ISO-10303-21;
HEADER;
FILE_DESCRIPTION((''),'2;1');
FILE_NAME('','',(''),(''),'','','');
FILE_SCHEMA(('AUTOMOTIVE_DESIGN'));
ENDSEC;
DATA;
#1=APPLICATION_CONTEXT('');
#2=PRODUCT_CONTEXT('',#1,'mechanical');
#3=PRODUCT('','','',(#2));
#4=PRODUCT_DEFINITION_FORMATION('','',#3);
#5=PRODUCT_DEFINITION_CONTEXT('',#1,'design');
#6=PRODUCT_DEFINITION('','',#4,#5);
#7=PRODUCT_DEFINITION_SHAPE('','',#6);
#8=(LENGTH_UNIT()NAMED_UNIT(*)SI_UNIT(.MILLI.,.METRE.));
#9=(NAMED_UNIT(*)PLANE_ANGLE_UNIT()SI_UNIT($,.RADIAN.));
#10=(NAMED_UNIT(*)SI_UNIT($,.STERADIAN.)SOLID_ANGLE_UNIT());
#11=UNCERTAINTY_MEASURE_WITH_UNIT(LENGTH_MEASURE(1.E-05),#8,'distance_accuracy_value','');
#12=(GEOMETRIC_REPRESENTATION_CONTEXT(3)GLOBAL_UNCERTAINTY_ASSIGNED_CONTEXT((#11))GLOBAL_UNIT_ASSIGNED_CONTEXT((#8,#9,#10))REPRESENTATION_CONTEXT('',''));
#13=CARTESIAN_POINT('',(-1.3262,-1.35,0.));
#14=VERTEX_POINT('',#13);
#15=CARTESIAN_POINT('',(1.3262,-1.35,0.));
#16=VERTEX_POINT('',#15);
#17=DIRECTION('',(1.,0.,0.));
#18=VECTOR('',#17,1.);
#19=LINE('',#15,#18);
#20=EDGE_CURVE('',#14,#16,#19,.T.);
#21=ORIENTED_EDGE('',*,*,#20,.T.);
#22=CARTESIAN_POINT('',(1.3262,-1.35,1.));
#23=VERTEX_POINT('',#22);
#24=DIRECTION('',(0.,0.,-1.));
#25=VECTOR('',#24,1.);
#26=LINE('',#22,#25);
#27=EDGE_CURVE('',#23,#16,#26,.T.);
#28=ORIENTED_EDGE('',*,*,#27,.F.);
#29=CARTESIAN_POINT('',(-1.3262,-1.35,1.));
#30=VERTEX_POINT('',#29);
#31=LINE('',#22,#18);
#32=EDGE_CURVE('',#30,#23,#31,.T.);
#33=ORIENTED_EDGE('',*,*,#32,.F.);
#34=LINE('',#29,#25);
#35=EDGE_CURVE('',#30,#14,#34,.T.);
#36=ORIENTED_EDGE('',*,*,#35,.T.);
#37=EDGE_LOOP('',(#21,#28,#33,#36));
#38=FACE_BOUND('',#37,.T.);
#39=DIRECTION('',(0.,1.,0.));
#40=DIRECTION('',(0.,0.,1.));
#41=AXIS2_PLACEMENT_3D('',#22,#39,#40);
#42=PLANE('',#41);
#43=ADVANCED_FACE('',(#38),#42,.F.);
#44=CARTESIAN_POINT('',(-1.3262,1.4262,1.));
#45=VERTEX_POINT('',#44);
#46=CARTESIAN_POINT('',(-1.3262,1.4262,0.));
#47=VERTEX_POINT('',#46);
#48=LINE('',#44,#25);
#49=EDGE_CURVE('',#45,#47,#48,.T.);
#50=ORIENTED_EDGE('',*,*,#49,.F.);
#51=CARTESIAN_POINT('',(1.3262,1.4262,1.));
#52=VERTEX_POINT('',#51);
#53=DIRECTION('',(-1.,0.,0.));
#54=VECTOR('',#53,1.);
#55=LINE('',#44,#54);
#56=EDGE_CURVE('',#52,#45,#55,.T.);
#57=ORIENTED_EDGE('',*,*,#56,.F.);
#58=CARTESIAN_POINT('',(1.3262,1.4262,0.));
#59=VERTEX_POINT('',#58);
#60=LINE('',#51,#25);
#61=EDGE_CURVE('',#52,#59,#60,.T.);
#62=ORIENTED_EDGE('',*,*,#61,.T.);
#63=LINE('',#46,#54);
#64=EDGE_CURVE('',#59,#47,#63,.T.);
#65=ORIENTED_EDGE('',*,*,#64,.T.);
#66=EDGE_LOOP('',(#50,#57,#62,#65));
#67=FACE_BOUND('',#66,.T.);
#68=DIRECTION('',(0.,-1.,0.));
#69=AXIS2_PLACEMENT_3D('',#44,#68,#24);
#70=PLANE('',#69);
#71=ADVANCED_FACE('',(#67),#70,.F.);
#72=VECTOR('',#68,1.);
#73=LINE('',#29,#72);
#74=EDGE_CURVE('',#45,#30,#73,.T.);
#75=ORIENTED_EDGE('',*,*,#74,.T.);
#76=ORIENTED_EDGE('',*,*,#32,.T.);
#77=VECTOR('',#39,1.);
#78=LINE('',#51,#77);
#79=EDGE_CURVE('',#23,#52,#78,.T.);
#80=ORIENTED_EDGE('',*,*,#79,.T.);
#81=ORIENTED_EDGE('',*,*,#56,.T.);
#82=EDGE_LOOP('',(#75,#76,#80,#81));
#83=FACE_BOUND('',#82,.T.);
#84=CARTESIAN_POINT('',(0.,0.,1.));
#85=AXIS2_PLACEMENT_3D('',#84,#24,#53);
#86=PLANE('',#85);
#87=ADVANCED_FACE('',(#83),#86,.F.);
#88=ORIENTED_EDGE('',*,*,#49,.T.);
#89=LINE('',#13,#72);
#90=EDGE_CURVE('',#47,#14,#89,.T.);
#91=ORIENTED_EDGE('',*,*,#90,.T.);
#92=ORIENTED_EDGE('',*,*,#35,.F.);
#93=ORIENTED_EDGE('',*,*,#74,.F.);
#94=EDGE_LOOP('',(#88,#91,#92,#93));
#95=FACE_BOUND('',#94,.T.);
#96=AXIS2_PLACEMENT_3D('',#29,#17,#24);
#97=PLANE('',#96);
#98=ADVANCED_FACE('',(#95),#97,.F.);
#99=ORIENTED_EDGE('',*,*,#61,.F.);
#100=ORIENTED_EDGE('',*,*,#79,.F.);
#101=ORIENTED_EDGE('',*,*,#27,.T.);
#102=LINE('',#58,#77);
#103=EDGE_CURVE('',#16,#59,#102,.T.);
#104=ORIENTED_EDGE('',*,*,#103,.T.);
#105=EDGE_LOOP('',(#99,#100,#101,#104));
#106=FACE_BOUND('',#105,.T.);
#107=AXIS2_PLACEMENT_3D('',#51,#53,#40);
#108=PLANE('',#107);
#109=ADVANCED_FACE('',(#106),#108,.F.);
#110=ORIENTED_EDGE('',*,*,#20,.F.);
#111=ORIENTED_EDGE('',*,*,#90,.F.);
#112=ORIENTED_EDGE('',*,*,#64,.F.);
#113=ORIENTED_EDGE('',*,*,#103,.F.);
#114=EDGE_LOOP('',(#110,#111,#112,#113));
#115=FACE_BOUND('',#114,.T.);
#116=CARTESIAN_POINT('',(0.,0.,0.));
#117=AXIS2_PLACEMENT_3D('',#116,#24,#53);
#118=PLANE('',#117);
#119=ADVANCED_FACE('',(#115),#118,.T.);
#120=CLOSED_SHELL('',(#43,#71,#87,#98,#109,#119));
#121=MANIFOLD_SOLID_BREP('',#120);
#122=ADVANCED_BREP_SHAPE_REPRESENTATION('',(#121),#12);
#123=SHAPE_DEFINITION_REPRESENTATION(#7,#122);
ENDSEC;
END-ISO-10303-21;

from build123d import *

# Parameters (mm, degrees)
SKETCH1_W               = 2.6524
SKETCH1_H               = 2.7762
COMPONENT_OUTLINE_DEPTH = 1


with BuildPart() as part:
    # Sketch1 → Component_Outline (new body)
    with BuildSketch(Plane.XY):
        with Locations((0, 0.0381)):
            Rectangle(SKETCH1_W, SKETCH1_H)
    extrude(amount=COMPONENT_OUTLINE_DEPTH)


solid = part.part
